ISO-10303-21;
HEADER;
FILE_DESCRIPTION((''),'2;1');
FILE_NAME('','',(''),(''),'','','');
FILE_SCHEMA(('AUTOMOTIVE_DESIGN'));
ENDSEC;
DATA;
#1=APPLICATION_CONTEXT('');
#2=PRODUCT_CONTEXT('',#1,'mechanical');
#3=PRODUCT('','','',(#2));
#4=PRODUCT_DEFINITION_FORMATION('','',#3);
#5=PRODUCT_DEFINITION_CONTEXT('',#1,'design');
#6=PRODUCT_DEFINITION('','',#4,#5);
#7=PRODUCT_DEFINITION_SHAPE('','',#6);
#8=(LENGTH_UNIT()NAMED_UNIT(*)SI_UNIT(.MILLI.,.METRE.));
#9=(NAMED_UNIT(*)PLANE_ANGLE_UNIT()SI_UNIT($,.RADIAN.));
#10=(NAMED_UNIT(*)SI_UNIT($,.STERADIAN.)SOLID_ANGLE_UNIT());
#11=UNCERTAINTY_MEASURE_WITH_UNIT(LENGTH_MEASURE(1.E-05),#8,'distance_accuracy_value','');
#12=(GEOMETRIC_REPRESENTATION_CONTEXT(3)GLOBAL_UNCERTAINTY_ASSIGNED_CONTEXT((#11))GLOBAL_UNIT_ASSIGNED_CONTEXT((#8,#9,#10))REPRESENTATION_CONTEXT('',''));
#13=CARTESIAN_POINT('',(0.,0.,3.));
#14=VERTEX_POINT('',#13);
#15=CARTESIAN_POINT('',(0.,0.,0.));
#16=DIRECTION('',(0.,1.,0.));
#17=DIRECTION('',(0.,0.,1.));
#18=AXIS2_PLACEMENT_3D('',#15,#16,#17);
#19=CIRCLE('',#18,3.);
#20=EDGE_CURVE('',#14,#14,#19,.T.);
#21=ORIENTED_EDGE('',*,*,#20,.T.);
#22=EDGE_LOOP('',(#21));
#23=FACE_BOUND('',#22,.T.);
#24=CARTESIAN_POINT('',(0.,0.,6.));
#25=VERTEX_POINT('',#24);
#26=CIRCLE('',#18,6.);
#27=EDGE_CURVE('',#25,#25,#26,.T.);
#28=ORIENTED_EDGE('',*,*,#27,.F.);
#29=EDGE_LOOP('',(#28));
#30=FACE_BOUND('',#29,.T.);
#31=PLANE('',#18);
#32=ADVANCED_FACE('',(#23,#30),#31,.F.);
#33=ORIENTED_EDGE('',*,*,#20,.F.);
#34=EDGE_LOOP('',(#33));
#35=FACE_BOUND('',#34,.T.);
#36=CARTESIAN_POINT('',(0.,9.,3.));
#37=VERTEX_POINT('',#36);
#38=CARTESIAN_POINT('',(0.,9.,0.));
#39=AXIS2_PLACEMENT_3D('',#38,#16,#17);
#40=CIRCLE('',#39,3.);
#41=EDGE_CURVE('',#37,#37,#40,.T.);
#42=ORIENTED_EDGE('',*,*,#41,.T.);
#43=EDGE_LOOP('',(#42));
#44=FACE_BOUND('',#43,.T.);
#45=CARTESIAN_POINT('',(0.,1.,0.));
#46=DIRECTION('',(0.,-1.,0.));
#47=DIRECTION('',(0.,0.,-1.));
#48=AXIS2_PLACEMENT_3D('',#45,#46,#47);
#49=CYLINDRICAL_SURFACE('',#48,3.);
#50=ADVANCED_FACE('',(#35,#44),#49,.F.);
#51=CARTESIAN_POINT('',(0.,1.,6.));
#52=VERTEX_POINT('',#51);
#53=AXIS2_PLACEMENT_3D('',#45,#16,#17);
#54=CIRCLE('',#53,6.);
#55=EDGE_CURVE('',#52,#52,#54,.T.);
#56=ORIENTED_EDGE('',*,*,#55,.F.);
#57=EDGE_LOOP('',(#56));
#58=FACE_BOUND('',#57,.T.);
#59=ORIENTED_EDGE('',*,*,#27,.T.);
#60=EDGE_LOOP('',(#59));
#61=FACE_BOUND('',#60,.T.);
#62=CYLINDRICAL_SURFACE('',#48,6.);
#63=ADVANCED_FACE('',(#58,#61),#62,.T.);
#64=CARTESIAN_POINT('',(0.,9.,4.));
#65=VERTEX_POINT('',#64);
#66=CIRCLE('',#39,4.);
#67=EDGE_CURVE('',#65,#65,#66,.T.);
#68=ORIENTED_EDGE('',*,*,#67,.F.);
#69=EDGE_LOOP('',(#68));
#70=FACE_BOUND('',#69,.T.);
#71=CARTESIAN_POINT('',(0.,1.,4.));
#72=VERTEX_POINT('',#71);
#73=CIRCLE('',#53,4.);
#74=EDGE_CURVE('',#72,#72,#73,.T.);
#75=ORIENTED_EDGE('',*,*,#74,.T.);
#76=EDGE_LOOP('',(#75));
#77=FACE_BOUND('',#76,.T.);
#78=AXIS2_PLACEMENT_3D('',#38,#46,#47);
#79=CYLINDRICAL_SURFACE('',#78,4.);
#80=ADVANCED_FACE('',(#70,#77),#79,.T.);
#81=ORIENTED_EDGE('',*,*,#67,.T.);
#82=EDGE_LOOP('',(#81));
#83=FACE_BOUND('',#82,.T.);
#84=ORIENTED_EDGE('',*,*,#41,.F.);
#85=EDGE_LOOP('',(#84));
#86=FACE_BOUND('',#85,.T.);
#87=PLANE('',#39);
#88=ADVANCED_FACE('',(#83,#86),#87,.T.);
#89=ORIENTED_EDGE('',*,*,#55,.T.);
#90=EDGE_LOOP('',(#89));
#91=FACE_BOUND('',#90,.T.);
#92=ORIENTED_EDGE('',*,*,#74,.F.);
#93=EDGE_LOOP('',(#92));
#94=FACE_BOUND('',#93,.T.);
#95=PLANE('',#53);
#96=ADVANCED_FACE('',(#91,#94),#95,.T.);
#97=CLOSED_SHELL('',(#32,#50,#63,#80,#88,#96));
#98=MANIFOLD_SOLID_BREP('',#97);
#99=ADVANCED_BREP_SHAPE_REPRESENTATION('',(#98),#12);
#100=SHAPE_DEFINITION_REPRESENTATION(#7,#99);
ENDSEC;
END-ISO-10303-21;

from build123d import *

# Parameters (mm, degrees)
SKETCH1_R           = 6
SKETCH1_R_2         = 3
BOSS_EXTRUDE1_DEPTH = 1
SKETCH2_R           = 4
SKETCH2_R_2         = 3
BOSS_EXTRUDE2_DEPTH = 8


with BuildPart() as part:
    # Sketch1 → Boss-Extrude1 (new body)
    with BuildSketch(Plane(origin=(0, 0, 0), x_dir=(1, 0, 0), z_dir=(0, 1, 0))):
        with Locations(Location((0, 0, 0), (0, 0, 270))):
            Circle(SKETCH1_R)
        with Locations(Location((0, 0, 0), (0, 0, 270))):
            Circle(SKETCH1_R_2, mode=Mode.SUBTRACT)
    extrude(amount=BOSS_EXTRUDE1_DEPTH)

    # Sketch2 → Boss-Extrude2 (add)
    with BuildSketch(Plane(origin=(0, 1, 0), x_dir=(-1, 0, 0), z_dir=(0, 1, 0))):
        with Locations(Location((0, 0, 0), (0, 0, 90))):
            Circle(SKETCH2_R)
        with Locations(Location((0, 0, 0), (0, 0, 90))):
            Circle(SKETCH2_R_2, mode=Mode.SUBTRACT)
    extrude(amount=BOSS_EXTRUDE2_DEPTH)


solid = part.part
